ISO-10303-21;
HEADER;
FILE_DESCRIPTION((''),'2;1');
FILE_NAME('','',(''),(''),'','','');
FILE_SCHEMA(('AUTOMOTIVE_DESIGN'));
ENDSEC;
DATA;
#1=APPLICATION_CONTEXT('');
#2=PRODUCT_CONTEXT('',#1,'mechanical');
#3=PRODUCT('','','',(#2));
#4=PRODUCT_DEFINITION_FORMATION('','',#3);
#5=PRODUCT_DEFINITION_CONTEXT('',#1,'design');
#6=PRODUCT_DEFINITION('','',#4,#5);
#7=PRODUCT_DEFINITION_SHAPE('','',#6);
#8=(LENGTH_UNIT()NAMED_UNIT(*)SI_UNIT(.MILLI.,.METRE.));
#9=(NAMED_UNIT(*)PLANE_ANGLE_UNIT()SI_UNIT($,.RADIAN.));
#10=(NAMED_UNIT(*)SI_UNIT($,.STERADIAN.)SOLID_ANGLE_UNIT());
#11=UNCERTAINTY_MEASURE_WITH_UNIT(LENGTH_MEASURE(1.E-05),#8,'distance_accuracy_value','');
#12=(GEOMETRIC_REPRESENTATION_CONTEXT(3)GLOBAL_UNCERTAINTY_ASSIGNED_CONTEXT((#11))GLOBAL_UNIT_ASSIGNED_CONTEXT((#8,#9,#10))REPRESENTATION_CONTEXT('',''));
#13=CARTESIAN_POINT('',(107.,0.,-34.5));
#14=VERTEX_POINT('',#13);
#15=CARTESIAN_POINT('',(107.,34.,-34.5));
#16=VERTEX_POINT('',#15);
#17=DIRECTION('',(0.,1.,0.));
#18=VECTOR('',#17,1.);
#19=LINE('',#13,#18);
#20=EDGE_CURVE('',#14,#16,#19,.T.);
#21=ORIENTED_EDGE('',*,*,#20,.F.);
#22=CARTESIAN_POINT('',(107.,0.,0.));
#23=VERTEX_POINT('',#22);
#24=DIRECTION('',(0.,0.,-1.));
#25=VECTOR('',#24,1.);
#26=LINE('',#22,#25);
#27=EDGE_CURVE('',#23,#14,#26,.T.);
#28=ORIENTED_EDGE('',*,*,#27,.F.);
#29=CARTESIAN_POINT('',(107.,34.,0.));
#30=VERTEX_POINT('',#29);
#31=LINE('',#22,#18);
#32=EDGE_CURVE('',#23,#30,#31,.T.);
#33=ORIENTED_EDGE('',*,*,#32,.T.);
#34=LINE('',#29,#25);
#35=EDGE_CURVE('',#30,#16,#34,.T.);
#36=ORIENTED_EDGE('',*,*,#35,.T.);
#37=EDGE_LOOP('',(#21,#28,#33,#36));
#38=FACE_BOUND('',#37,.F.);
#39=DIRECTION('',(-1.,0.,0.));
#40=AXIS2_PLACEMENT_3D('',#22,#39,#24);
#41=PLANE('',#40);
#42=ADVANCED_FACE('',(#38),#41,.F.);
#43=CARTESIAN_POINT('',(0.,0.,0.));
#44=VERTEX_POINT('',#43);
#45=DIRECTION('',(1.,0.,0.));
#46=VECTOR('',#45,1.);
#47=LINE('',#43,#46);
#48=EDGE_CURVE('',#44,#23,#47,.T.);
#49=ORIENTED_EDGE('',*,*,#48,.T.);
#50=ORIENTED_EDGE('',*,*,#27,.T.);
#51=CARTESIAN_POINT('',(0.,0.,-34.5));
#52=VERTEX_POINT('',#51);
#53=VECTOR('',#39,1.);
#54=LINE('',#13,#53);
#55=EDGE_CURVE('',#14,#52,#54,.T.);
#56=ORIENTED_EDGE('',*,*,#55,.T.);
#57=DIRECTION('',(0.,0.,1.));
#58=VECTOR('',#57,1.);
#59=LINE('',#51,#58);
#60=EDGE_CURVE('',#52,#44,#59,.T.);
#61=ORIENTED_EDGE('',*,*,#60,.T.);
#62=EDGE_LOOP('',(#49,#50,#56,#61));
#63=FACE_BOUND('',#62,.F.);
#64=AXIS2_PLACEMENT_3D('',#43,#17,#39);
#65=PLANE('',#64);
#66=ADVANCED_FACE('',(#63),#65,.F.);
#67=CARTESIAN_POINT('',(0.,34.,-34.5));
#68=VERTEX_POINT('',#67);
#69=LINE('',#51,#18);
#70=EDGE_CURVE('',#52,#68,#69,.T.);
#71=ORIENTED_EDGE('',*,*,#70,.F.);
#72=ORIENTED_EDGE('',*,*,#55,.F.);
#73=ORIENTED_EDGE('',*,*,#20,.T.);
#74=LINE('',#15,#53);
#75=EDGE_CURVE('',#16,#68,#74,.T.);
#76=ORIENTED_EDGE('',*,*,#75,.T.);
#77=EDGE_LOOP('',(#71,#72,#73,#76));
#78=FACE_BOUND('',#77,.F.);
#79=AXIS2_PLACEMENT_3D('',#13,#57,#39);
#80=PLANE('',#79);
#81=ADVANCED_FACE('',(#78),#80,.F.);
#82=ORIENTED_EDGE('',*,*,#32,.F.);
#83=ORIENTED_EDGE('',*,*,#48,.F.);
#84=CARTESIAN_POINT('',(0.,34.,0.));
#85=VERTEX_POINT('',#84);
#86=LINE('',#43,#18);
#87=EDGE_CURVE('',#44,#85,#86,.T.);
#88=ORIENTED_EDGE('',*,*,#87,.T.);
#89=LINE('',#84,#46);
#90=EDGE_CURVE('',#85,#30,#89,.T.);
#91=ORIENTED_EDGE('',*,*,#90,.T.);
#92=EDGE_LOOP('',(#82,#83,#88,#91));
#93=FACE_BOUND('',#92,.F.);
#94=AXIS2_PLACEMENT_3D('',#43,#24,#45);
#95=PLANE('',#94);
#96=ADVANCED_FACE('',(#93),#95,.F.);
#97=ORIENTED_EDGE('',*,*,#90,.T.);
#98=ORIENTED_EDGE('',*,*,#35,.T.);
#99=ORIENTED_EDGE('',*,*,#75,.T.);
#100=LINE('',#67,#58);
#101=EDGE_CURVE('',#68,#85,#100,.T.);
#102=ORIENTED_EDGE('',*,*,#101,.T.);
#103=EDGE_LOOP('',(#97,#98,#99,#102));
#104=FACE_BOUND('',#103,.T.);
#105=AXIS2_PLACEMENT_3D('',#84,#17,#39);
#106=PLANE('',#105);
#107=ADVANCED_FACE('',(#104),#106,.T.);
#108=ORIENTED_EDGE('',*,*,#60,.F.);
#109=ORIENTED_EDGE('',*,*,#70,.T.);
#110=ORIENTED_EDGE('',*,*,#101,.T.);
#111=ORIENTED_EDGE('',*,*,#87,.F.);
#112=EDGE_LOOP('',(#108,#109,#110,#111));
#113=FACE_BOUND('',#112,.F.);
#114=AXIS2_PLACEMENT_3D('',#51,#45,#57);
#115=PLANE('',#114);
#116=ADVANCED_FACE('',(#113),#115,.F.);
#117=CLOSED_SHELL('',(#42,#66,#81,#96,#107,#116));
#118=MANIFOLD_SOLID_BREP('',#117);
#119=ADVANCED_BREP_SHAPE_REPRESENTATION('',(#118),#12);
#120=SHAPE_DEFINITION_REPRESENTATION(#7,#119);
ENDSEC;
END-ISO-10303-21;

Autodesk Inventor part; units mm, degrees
ref_plane "YZ Plane" through (0, 0, 0) normal (1, 0, 0) x (0, 1, 0)
ref_plane "XZ Plane" through (0, 0, 0) normal (0, 1, 0) x (-1, 0, 0)
ref_plane "XY Plane" through (0, 0, 0) normal (0, 0, 1) x (1, 0, 0)
sketch "Sketch1" plane through (0, 0, 0) normal (0, 1, 0) x (-1, 0, 0)
  line L0 (0, 0) -> (-107, 0)
  line L1 (-107, 0) -> (-107, -34.5)
  line L2 (-107, -34.5) -> (0, -34.5)
  line L3 (0, -34.5) -> (0, 0)
  dimension "d0" = 107
  dimension "d1" = 34.5
extrude "Extrusion1" add sketch "Sketch1" along normal blind 34
ref_plane "Work Plane1" through (0, 0, -17.25) normal (0, 0, 1) x (1, 0, 0)
properties part number "battery" material "Battery"
